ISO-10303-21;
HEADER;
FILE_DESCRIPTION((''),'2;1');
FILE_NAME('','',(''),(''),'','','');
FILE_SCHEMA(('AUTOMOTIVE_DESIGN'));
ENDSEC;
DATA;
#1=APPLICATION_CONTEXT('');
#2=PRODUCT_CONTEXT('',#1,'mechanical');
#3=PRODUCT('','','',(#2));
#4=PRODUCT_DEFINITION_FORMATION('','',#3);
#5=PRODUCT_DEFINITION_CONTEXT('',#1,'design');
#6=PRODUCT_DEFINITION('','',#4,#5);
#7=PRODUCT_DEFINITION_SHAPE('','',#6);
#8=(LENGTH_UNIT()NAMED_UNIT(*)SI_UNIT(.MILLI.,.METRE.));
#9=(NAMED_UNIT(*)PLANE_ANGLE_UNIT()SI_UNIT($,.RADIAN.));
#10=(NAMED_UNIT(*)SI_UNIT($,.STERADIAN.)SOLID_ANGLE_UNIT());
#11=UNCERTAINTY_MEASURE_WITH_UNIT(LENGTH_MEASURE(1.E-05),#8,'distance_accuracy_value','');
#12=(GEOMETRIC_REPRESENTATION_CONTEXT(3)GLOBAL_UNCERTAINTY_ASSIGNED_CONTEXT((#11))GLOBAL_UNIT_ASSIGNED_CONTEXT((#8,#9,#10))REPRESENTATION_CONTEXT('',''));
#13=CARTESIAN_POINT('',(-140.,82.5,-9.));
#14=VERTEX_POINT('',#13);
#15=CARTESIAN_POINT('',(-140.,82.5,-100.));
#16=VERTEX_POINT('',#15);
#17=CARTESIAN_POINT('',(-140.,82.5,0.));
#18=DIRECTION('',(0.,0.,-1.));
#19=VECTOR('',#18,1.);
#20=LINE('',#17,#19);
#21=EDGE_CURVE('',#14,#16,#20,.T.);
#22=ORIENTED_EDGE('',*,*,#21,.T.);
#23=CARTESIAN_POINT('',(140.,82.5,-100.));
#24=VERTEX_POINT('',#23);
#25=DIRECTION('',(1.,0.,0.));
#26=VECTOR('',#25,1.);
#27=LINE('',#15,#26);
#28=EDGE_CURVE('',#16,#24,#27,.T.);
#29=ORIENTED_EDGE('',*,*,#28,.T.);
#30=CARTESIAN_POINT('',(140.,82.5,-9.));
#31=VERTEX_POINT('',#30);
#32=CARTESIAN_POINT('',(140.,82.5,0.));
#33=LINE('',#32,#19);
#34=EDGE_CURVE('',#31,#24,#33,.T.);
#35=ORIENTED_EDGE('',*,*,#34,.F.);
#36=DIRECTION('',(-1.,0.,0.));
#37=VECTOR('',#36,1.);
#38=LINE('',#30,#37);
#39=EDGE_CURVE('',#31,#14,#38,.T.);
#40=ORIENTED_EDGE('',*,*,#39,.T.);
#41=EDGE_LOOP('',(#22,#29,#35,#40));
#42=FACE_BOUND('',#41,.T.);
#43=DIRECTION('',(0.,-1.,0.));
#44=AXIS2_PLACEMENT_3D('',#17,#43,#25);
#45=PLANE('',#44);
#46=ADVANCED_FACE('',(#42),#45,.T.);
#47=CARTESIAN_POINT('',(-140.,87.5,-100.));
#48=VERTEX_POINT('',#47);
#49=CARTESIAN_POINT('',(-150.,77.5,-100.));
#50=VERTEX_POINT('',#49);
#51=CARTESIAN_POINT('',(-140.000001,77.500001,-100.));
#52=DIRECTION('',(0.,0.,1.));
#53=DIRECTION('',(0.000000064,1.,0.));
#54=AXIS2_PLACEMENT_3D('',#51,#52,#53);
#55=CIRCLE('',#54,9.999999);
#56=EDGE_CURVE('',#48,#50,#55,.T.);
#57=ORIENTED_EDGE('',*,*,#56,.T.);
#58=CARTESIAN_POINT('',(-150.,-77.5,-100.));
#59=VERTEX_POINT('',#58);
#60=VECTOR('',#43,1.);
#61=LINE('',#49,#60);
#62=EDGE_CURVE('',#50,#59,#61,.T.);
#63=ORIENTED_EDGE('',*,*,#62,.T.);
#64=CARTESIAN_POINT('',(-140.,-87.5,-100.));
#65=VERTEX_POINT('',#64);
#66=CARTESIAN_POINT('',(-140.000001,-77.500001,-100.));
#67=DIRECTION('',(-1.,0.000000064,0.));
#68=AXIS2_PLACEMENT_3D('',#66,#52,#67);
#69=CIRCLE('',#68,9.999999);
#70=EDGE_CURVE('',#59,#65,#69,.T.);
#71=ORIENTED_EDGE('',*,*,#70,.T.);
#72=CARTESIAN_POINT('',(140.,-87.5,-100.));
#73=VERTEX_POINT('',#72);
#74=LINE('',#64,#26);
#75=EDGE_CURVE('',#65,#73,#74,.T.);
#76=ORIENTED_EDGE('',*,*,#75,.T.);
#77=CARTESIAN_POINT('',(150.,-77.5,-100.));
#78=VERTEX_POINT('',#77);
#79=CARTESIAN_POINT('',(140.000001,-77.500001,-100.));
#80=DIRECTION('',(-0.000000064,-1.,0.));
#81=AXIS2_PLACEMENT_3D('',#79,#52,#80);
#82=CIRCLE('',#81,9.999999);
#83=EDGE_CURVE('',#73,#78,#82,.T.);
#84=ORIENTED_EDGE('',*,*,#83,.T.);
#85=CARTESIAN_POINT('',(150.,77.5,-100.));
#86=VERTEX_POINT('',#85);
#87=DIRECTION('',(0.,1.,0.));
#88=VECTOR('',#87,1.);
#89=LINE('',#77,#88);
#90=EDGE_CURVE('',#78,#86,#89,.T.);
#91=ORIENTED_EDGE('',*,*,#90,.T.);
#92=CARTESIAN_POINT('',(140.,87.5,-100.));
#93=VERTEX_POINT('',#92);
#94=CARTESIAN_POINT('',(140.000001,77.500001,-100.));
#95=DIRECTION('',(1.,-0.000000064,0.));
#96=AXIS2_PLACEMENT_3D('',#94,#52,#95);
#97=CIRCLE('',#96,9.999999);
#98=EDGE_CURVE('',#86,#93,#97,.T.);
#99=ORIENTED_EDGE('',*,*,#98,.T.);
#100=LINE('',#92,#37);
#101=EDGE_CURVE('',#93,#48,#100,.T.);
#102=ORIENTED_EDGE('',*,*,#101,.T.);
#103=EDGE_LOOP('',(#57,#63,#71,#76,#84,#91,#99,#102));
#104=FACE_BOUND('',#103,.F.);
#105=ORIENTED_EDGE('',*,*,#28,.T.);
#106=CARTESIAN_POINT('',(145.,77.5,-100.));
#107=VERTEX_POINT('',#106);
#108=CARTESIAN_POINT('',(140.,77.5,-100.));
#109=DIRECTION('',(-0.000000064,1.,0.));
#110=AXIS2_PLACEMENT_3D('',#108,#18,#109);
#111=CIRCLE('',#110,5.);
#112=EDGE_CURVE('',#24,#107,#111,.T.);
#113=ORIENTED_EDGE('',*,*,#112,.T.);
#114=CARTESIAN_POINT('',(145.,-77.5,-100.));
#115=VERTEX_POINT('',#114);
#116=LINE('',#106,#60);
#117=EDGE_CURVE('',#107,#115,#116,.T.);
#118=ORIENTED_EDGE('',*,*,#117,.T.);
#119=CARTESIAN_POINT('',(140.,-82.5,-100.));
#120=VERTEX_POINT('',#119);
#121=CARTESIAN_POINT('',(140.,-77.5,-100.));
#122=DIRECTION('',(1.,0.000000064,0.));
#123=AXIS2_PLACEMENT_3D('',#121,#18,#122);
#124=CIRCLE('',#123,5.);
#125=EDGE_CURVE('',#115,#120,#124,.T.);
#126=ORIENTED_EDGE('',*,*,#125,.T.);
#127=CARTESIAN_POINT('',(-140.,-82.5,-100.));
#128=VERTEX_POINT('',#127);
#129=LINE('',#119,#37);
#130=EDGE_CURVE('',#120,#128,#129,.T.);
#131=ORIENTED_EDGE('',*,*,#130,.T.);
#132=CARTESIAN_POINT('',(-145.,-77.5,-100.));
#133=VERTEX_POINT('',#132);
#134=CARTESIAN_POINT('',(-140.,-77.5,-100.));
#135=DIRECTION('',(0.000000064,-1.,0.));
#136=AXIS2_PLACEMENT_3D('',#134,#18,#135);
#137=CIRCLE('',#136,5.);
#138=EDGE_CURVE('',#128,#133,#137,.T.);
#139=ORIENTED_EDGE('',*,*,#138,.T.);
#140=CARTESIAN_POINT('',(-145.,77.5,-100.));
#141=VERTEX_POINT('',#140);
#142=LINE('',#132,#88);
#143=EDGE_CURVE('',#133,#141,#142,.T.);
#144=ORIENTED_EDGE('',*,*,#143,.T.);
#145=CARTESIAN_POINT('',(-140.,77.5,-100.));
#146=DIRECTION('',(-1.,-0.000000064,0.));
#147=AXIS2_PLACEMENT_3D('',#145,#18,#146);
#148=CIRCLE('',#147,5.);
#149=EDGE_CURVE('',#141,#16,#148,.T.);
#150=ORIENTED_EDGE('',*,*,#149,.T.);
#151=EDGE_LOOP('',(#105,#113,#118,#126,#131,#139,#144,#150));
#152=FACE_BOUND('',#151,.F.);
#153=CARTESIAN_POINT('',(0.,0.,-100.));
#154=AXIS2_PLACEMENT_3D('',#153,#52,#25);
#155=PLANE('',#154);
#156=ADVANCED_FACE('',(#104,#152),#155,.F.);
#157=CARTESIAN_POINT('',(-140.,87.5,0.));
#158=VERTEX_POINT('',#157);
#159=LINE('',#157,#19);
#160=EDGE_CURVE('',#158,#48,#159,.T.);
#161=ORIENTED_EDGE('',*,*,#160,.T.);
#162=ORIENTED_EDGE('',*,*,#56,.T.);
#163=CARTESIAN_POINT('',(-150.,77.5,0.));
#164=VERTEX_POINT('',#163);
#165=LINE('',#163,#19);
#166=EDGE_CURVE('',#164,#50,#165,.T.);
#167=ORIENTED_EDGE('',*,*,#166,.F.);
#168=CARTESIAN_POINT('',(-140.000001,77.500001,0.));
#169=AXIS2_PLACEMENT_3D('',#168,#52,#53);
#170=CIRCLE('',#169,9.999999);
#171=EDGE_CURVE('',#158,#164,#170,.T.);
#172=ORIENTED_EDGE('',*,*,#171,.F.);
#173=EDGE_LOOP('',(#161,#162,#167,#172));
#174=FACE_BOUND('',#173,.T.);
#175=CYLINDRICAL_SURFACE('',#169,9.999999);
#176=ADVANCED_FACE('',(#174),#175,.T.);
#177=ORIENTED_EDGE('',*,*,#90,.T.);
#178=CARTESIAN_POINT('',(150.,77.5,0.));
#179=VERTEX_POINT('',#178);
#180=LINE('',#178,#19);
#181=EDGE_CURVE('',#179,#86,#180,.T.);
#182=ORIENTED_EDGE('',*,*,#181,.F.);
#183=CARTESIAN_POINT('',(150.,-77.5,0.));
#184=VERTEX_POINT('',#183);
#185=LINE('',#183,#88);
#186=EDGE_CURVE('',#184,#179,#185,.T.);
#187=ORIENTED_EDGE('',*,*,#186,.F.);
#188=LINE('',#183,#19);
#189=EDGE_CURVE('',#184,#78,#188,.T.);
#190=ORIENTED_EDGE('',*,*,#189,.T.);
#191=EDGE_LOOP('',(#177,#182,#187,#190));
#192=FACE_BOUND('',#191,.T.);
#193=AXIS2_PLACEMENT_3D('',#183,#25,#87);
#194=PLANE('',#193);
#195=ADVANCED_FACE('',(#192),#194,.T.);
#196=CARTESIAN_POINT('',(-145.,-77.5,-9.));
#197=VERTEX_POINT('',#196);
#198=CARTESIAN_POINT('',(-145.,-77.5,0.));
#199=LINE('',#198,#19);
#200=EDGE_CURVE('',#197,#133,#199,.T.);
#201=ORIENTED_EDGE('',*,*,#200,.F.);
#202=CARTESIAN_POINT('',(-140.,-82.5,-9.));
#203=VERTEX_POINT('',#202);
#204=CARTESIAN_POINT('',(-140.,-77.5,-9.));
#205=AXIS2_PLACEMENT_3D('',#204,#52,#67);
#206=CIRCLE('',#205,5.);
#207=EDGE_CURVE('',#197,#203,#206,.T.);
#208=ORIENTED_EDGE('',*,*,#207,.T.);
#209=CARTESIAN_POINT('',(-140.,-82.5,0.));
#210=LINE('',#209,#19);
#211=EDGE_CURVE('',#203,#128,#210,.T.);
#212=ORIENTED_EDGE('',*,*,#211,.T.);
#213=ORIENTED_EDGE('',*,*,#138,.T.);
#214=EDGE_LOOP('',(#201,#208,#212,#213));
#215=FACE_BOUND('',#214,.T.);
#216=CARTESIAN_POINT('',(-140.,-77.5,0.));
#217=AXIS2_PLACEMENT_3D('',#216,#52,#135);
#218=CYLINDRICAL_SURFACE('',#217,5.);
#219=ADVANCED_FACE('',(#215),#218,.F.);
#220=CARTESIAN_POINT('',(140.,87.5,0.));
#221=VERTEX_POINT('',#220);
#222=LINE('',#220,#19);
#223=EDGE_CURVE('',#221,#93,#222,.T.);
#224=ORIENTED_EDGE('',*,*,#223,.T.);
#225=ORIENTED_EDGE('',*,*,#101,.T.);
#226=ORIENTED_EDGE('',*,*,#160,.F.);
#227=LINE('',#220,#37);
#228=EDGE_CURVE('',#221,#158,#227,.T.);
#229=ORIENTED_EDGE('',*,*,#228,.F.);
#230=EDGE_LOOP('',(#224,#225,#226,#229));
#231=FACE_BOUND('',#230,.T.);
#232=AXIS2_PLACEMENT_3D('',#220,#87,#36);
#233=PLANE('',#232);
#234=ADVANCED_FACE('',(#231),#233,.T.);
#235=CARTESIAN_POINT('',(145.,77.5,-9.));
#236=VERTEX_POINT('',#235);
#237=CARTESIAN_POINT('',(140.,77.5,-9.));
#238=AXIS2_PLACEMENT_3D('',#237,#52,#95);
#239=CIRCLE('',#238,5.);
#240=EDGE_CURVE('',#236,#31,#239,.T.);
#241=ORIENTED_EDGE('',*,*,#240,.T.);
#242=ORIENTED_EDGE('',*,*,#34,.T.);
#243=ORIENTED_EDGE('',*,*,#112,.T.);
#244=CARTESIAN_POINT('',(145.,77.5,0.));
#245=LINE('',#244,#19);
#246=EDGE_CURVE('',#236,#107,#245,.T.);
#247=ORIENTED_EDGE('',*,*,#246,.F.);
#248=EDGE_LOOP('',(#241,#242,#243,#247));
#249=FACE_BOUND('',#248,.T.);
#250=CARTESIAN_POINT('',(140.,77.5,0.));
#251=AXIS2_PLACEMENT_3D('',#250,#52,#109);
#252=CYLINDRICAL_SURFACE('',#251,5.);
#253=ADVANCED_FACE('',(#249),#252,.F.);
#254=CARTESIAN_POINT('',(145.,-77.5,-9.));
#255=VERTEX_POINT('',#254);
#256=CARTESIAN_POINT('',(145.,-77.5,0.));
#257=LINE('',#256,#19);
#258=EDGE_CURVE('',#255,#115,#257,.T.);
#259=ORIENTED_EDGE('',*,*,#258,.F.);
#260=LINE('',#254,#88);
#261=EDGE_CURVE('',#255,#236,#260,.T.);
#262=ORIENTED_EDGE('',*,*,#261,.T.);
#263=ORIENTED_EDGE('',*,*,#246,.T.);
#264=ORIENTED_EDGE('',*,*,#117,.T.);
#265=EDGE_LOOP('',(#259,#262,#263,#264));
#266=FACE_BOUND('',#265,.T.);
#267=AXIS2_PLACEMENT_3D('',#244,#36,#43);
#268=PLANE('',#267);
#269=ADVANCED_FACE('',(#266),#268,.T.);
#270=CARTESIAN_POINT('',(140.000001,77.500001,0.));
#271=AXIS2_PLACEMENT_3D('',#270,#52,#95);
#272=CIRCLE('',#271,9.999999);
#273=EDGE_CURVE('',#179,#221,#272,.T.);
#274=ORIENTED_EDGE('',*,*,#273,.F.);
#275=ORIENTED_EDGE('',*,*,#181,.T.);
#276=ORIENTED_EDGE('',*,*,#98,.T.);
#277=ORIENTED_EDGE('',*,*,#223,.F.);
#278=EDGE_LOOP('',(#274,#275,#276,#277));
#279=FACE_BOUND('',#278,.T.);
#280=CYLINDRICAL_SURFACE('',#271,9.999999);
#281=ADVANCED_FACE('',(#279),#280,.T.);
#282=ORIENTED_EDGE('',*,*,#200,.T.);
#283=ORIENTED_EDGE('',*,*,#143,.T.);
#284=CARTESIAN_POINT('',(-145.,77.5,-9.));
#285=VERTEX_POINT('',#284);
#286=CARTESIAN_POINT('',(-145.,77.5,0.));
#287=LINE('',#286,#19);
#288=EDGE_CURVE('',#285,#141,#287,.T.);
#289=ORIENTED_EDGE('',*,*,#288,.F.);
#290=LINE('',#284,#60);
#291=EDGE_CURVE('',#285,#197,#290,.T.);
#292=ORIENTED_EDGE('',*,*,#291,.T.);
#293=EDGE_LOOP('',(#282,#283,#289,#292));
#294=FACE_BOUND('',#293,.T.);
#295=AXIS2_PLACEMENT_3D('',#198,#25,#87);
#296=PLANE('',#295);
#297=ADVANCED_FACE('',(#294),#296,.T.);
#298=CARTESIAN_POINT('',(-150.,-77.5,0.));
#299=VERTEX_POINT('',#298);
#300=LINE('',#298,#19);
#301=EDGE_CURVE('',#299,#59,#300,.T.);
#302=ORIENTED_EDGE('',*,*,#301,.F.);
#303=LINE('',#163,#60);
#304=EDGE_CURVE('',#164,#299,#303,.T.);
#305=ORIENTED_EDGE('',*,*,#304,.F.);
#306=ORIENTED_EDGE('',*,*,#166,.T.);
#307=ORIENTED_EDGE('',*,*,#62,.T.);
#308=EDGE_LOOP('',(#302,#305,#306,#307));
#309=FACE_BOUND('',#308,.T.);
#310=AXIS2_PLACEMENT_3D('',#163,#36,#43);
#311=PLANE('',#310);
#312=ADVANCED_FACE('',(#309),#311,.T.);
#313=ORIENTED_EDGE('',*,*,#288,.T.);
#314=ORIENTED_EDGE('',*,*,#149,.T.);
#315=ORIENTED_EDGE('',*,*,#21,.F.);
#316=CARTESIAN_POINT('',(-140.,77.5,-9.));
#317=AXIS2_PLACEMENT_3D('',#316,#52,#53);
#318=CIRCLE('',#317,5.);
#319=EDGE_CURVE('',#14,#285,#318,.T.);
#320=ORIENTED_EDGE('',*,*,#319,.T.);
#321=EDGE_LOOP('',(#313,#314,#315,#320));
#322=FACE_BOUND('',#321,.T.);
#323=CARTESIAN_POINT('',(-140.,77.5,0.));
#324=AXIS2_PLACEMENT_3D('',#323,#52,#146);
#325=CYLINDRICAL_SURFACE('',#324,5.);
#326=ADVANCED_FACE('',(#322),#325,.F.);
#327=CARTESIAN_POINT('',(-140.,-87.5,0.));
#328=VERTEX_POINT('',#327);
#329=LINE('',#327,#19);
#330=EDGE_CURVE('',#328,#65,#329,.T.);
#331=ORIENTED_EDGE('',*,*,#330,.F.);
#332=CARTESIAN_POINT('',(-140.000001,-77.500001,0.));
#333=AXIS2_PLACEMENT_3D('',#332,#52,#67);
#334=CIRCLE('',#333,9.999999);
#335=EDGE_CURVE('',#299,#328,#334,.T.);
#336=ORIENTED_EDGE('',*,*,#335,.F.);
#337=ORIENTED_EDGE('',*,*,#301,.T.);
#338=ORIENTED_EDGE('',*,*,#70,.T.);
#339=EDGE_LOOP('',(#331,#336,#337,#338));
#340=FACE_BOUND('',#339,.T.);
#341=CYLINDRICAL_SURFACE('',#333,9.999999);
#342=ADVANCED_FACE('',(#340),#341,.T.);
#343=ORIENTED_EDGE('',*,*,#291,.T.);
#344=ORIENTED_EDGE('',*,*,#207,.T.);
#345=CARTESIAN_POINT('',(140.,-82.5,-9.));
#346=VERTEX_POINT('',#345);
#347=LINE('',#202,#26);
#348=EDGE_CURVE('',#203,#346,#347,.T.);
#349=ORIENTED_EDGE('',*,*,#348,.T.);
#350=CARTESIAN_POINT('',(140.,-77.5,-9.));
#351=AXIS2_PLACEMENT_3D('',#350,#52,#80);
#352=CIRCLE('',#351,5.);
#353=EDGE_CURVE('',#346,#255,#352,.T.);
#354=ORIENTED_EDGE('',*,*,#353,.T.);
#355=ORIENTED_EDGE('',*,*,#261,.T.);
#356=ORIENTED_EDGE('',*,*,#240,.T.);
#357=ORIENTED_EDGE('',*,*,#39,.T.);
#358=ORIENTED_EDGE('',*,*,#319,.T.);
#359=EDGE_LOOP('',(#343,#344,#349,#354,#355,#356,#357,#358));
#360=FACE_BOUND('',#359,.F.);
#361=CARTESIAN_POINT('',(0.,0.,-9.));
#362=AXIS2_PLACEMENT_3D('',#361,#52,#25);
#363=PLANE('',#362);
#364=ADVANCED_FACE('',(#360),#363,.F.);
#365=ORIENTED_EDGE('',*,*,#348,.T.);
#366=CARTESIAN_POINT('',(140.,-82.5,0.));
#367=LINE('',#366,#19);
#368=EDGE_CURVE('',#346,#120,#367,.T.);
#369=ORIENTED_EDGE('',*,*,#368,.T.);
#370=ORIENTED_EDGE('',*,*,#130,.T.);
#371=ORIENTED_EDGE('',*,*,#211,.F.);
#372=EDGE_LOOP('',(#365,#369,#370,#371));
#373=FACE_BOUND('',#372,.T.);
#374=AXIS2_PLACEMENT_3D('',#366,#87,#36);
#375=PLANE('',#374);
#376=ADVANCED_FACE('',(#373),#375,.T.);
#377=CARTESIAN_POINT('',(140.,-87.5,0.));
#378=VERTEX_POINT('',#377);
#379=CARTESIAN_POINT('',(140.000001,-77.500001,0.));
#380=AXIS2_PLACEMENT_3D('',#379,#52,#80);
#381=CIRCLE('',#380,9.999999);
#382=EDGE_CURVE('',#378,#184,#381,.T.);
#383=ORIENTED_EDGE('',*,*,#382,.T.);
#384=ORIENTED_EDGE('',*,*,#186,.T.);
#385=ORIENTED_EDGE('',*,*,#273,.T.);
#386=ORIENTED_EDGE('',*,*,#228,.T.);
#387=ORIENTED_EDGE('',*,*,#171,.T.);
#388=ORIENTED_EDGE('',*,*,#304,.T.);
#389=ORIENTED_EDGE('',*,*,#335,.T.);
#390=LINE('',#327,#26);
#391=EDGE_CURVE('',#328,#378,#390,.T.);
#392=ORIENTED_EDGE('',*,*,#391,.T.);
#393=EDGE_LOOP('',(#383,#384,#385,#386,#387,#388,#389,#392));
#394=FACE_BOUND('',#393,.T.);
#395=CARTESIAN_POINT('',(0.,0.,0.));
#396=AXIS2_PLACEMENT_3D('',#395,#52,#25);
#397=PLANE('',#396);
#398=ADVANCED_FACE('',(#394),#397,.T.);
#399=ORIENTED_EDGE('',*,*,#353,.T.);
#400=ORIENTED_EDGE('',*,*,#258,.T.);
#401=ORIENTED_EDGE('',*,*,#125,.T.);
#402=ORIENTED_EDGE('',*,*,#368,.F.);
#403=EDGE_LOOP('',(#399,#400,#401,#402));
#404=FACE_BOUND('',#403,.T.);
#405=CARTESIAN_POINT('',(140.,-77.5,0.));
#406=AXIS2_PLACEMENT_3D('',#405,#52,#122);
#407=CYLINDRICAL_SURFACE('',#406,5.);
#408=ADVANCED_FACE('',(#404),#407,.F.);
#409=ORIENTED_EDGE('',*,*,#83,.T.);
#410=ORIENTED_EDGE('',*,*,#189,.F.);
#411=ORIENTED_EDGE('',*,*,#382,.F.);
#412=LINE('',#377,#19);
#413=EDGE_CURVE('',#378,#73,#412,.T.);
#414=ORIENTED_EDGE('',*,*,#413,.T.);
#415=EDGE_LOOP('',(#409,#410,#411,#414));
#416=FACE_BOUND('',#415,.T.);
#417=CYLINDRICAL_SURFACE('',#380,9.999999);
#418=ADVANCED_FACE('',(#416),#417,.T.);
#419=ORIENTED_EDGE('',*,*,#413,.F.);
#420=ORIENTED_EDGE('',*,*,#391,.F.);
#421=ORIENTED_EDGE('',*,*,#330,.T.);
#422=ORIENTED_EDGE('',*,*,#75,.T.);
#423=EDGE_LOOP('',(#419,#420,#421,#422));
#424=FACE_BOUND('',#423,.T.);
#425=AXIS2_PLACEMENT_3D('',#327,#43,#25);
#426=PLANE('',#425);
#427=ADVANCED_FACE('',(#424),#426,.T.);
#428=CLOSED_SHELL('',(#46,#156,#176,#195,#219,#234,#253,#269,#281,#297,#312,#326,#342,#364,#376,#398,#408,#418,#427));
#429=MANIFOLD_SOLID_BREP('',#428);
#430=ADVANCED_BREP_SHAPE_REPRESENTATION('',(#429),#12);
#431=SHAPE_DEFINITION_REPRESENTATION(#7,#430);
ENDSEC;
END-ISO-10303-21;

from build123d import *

# Parameters (mm, degrees)
F1_DEPTH = 100
F2_DEPTH = 9


with BuildPart() as f1:
    # F0 (on Top) → F1 (new body)
    with BuildSketch(Plane.XY):
        with BuildLine():
            ThreePointArc((150, 77.5), (147.071068, 84.571068), (140, 87.5))
            Line((140, 87.5), (-140, 87.5))
            ThreePointArc((-140, 87.5), (-147.071068, 84.571068), (-150, 77.5))
            Line((-150, 77.5), (-150, -77.5))
            ThreePointArc((-150, -77.5), (-147.071068, -84.571068), (-140, -87.5))
            Line((-140, -87.5), (140, -87.5))
            ThreePointArc((140, -87.5), (147.071068, -84.571068), (150, -77.5))
            Line((150, -77.5), (150, 77.5))
        make_face()
        with BuildLine():
            ThreePointArc((140, 82.5), (143.535534, 81.035534), (145, 77.5))
            Line((145, 77.5), (145, -77.5))
            ThreePointArc((145, -77.5), (143.535534, -81.035534), (140, -82.5))
            Line((140, -82.5), (-140, -82.5))
            ThreePointArc((-140, -82.5), (-143.535534, -81.035534), (-145, -77.5))
            Line((-145, -77.5), (-145, 77.5))
            ThreePointArc((-145, 77.5), (-143.535534, 81.035534), (-140, 82.5))
            Line((-140, 82.5), (140, 82.5))
        make_face(mode=Mode.SUBTRACT)
    extrude(amount=-F1_DEPTH)

    # F0 (on Top) → F2 (join)
    with BuildSketch(Plane.XY):
        with BuildLine():
            Line((145, -77.5), (145, 77.5))
            ThreePointArc((145, 77.5), (143.535534, 81.035534), (140, 82.5))
            Line((140, 82.5), (-140, 82.5))
            ThreePointArc((-140, 82.5), (-143.535534, 81.035534), (-145, 77.5))
            Line((-145, 77.5), (-145, -77.5))
            ThreePointArc((-145, -77.5), (-143.535534, -81.035534), (-140, -82.5))
            Line((-140, -82.5), (140, -82.5))
            ThreePointArc((140, -82.5), (143.535534, -81.035534), (145, -77.5))
        make_face()
    extrude(amount=-F2_DEPTH)


solid = f1.part
